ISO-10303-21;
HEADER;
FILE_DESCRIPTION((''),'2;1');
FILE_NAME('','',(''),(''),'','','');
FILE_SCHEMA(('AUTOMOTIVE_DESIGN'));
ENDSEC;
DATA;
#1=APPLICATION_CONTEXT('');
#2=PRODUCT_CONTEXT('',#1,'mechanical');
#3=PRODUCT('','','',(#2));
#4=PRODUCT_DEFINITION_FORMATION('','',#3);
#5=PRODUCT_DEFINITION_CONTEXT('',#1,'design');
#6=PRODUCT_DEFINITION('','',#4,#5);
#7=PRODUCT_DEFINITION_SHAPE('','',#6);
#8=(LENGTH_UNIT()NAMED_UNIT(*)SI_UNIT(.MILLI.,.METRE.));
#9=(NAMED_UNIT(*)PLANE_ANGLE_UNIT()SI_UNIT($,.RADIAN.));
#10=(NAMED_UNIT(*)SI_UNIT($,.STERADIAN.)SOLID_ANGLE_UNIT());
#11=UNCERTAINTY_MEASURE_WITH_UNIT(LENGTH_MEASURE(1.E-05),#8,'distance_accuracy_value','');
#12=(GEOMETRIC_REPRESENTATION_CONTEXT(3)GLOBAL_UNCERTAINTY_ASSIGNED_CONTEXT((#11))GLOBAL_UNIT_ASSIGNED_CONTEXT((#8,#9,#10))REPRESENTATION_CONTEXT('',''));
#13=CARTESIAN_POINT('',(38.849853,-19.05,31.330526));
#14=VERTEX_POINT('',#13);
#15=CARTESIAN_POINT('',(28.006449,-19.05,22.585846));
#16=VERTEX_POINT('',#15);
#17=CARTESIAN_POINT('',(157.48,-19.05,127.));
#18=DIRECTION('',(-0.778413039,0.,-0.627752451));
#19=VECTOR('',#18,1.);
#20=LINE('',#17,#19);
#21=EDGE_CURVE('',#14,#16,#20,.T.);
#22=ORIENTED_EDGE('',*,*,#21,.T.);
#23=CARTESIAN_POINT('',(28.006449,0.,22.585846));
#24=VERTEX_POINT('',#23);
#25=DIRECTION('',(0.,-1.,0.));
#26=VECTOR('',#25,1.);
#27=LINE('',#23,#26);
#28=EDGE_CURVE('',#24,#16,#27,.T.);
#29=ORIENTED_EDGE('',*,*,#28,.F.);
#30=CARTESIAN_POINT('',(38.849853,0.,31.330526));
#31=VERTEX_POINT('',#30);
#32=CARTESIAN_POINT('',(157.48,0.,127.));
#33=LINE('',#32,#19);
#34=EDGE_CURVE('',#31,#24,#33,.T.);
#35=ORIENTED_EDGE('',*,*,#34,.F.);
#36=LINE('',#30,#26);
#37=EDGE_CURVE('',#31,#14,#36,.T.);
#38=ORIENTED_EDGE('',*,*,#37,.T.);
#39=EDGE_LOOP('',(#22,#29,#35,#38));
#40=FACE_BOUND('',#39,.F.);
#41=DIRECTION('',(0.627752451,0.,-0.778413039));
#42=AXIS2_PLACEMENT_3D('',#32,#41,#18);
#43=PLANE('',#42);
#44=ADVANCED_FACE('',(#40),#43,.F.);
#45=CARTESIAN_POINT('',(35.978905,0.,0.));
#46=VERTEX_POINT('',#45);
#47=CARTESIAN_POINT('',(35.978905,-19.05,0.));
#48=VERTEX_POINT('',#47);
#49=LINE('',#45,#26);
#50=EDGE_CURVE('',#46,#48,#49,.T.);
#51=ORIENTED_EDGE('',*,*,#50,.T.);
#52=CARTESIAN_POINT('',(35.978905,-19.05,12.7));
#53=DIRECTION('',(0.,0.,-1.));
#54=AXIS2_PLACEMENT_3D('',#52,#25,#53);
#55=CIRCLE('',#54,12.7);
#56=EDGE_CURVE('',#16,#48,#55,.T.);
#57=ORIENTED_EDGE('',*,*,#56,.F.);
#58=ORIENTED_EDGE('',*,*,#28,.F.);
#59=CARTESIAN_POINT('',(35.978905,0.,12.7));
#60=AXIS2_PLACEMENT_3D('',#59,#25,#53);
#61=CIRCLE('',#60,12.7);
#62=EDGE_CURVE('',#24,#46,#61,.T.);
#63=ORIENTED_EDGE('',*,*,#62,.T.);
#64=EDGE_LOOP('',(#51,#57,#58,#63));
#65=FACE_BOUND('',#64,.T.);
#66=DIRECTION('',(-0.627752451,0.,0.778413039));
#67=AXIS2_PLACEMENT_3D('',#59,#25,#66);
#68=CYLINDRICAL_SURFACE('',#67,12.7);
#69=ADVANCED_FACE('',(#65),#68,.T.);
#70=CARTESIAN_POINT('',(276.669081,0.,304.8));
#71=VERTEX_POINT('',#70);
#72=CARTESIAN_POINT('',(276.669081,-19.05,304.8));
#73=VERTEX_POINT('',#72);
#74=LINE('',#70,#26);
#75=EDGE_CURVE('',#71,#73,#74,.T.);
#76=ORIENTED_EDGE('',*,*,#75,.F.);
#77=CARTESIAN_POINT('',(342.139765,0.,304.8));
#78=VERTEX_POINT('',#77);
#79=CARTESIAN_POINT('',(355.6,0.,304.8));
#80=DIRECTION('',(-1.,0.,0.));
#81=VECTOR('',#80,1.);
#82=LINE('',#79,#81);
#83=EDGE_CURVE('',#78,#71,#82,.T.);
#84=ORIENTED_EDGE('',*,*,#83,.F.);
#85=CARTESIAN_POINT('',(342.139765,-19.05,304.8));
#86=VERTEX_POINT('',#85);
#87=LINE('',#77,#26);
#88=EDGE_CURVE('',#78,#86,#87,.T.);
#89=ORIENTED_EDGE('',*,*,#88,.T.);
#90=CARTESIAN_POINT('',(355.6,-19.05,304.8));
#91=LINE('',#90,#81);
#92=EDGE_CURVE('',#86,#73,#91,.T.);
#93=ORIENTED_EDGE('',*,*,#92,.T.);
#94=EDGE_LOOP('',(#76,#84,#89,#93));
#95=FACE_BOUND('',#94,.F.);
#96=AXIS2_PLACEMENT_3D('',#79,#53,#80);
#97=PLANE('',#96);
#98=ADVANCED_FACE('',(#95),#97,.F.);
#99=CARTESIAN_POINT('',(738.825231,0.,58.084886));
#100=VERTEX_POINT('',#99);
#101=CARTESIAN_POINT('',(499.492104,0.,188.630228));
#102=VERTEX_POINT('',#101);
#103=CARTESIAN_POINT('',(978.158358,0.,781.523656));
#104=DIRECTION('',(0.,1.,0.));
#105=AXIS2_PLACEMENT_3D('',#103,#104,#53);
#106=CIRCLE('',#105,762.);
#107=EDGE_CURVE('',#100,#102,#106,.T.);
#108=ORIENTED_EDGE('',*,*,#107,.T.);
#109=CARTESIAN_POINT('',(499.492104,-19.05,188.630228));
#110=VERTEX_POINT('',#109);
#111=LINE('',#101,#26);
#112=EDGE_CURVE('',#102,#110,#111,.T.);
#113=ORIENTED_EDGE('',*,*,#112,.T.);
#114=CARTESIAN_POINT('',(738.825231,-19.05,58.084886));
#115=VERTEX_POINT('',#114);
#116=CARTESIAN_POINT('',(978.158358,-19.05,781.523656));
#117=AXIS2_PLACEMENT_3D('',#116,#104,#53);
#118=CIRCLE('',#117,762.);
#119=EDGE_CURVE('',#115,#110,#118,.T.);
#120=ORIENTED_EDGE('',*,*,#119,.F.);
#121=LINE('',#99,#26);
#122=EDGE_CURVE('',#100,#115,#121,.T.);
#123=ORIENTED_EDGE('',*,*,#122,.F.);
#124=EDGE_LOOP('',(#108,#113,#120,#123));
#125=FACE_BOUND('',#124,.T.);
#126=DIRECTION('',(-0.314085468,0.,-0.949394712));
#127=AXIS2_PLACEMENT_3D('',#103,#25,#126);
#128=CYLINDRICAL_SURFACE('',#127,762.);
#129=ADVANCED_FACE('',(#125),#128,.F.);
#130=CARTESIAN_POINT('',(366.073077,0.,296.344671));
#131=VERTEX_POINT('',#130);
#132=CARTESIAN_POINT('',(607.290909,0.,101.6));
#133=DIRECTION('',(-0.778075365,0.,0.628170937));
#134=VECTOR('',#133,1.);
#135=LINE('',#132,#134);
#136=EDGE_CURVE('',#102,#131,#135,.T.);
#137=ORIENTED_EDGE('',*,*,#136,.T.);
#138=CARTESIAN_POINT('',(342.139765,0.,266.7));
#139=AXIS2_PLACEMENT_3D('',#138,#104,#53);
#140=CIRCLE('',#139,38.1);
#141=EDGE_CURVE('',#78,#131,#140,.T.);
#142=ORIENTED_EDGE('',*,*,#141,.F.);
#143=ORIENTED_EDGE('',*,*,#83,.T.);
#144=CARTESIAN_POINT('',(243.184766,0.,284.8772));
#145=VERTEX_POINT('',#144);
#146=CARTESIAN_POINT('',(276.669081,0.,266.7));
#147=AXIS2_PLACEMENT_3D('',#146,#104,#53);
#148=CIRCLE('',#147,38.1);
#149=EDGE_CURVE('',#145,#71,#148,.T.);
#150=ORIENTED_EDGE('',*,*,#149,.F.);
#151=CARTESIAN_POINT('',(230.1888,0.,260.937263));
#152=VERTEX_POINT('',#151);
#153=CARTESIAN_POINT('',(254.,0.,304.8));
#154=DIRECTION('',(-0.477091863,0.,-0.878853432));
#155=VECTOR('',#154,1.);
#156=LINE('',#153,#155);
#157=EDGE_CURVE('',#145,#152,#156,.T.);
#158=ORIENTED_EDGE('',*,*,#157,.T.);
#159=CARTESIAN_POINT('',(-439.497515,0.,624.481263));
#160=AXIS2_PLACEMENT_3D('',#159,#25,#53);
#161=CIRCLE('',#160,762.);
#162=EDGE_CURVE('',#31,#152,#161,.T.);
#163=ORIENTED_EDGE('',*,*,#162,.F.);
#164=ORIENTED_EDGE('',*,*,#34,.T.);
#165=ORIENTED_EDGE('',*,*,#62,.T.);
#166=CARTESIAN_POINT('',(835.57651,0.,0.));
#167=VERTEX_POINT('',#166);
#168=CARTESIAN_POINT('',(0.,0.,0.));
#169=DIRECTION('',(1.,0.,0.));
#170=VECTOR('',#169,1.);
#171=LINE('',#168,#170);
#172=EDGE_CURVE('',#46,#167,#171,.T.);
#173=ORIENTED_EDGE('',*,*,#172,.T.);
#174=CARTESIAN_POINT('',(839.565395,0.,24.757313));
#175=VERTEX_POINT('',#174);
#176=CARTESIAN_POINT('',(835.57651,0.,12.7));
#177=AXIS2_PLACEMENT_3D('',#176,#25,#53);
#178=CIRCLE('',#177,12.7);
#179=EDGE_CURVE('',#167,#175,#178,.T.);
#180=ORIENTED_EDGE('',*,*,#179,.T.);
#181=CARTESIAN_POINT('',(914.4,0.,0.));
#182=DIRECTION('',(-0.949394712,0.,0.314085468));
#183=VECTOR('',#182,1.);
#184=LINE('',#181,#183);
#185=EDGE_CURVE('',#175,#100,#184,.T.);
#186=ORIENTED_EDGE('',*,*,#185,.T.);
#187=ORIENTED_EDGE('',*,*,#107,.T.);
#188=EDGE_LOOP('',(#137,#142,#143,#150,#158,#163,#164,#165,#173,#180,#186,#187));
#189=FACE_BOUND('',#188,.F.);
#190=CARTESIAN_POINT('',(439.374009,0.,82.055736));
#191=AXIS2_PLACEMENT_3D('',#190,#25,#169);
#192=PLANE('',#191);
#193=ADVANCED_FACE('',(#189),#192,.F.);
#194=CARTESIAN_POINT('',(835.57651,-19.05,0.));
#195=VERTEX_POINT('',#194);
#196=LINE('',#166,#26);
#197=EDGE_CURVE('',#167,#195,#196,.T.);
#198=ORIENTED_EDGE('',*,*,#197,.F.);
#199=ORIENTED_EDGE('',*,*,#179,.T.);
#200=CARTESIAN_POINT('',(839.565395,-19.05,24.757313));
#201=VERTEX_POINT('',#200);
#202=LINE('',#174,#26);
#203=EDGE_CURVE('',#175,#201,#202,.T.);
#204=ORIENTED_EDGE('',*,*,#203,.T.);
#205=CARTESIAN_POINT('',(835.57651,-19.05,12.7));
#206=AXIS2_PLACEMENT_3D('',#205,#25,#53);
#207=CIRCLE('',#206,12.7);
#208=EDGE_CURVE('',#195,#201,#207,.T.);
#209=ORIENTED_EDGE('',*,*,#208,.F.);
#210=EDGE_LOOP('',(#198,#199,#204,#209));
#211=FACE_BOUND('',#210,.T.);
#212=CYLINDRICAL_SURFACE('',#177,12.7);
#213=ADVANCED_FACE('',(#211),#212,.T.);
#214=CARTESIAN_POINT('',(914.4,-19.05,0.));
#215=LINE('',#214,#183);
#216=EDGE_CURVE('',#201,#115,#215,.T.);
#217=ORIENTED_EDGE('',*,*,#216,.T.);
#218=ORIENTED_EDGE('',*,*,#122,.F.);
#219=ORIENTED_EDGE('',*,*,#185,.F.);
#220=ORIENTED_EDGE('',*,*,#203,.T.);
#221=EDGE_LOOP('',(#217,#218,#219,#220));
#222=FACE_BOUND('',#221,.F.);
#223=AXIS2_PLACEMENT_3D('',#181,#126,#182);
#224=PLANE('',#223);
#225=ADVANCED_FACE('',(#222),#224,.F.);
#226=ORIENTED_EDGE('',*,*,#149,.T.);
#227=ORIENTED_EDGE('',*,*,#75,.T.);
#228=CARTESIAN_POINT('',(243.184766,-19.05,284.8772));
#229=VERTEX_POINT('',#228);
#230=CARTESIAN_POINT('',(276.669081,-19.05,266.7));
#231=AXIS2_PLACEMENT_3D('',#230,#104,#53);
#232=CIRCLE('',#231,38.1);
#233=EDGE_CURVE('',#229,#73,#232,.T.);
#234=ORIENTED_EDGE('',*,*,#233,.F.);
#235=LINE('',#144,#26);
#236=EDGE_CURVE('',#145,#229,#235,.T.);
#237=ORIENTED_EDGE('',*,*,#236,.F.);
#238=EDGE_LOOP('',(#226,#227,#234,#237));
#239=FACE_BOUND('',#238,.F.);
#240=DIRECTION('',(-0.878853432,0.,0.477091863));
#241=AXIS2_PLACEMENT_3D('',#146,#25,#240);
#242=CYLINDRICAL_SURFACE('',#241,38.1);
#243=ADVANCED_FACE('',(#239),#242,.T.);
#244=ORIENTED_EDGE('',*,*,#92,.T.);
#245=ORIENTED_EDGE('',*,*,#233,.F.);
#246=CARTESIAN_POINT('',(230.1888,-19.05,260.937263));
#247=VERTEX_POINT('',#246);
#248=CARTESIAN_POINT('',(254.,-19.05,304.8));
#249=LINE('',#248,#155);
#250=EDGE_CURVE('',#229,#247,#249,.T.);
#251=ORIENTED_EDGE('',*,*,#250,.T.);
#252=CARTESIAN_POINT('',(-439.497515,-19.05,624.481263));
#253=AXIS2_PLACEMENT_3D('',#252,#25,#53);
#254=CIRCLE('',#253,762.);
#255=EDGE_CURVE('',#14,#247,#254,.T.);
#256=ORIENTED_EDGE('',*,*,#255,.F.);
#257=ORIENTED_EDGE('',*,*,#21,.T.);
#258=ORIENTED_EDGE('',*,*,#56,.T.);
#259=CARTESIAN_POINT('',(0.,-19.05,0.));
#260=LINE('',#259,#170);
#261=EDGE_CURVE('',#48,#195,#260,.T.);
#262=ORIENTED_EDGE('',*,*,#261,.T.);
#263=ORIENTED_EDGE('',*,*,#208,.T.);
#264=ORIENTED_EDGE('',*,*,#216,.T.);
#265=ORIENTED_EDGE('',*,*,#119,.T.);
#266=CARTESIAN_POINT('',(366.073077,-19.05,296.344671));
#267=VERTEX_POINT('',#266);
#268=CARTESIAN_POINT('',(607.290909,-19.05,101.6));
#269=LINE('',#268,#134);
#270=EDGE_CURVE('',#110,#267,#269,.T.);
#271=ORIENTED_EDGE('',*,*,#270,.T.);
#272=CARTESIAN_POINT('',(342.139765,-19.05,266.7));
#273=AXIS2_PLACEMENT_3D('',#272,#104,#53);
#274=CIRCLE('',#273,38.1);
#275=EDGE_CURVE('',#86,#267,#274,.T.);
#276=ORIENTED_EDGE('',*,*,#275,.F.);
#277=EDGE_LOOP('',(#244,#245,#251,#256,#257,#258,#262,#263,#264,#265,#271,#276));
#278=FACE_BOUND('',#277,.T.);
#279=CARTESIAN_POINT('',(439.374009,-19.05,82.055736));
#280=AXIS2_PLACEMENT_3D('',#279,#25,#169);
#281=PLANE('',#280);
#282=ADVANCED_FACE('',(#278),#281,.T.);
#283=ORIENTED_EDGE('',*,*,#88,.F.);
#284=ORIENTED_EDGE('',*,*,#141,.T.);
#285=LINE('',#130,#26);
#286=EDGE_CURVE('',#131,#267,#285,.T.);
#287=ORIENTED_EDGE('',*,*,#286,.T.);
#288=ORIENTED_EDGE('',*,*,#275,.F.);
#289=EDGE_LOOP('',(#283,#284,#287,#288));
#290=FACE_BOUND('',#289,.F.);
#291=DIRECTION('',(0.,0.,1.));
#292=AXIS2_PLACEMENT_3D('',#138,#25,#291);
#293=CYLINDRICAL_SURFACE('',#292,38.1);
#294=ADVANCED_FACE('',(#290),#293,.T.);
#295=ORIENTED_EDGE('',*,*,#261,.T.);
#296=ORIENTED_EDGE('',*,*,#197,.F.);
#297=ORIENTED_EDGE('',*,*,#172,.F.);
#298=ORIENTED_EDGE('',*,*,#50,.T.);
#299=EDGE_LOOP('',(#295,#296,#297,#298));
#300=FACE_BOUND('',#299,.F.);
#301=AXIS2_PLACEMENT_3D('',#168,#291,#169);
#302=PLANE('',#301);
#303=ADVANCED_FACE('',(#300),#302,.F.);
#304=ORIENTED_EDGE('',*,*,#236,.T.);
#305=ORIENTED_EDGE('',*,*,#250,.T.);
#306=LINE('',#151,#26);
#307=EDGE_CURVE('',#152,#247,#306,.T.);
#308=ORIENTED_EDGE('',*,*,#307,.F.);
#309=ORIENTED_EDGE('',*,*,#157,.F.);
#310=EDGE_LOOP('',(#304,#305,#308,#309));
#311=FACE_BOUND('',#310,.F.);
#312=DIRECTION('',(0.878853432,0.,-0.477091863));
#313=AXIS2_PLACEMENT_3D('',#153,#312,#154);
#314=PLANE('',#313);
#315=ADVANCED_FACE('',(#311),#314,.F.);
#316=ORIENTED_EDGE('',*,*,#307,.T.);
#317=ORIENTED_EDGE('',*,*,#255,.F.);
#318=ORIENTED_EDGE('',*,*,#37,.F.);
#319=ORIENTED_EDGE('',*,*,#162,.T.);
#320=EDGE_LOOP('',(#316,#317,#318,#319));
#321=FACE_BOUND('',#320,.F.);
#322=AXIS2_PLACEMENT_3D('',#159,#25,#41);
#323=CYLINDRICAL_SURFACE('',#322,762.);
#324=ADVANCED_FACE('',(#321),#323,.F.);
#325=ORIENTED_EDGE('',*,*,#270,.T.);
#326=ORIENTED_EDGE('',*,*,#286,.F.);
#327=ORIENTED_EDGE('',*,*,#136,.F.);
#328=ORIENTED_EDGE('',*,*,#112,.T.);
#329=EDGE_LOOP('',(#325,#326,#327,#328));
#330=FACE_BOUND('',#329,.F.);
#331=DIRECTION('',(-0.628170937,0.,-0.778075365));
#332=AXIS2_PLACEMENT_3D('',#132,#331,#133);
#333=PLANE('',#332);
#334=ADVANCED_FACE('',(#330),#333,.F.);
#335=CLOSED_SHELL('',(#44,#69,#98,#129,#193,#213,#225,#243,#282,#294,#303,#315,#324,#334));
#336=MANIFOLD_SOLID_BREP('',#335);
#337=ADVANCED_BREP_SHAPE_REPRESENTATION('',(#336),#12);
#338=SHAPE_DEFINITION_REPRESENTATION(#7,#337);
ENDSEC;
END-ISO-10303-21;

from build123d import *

# Parameters (mm, degrees)
F1_DEPTH = 19.05
F2_R     = 762
F3_R     = 38.1
F4_R     = 12.7


with BuildPart() as f1:
    # F0 (on Front) → F1 (new body)
    with BuildSketch(Plane.XZ):
        Polygon((157.48, 127), (0, 0), (914.4, 0), (607.290909, 101.6), (355.6, 304.8), (254, 304.8), align=None)
    extrude(amount=F1_DEPTH)

    # F2
    f2_edges = [f1.edges().sort_by_distance(p)[0] for p in [
        (157.48, -9.525, 127),
        (607.290909, -9.525, 101.6),
    ]]
    fillet(f2_edges, radius=F2_R)

    # F3
    f3_edges = [f1.edges().sort_by_distance(p)[0] for p in [
        (254, -9.525, 304.8),
        (355.6, -9.525, 304.8),
    ]]
    fillet(f3_edges, radius=F3_R)

    # F4
    f4_edges = [f1.edges().sort_by_distance(p)[0] for p in [
        (914.4, -9.525, 0),
        (0, -9.525, 0),
    ]]
    fillet(f4_edges, radius=F4_R)


solid = f1.part
